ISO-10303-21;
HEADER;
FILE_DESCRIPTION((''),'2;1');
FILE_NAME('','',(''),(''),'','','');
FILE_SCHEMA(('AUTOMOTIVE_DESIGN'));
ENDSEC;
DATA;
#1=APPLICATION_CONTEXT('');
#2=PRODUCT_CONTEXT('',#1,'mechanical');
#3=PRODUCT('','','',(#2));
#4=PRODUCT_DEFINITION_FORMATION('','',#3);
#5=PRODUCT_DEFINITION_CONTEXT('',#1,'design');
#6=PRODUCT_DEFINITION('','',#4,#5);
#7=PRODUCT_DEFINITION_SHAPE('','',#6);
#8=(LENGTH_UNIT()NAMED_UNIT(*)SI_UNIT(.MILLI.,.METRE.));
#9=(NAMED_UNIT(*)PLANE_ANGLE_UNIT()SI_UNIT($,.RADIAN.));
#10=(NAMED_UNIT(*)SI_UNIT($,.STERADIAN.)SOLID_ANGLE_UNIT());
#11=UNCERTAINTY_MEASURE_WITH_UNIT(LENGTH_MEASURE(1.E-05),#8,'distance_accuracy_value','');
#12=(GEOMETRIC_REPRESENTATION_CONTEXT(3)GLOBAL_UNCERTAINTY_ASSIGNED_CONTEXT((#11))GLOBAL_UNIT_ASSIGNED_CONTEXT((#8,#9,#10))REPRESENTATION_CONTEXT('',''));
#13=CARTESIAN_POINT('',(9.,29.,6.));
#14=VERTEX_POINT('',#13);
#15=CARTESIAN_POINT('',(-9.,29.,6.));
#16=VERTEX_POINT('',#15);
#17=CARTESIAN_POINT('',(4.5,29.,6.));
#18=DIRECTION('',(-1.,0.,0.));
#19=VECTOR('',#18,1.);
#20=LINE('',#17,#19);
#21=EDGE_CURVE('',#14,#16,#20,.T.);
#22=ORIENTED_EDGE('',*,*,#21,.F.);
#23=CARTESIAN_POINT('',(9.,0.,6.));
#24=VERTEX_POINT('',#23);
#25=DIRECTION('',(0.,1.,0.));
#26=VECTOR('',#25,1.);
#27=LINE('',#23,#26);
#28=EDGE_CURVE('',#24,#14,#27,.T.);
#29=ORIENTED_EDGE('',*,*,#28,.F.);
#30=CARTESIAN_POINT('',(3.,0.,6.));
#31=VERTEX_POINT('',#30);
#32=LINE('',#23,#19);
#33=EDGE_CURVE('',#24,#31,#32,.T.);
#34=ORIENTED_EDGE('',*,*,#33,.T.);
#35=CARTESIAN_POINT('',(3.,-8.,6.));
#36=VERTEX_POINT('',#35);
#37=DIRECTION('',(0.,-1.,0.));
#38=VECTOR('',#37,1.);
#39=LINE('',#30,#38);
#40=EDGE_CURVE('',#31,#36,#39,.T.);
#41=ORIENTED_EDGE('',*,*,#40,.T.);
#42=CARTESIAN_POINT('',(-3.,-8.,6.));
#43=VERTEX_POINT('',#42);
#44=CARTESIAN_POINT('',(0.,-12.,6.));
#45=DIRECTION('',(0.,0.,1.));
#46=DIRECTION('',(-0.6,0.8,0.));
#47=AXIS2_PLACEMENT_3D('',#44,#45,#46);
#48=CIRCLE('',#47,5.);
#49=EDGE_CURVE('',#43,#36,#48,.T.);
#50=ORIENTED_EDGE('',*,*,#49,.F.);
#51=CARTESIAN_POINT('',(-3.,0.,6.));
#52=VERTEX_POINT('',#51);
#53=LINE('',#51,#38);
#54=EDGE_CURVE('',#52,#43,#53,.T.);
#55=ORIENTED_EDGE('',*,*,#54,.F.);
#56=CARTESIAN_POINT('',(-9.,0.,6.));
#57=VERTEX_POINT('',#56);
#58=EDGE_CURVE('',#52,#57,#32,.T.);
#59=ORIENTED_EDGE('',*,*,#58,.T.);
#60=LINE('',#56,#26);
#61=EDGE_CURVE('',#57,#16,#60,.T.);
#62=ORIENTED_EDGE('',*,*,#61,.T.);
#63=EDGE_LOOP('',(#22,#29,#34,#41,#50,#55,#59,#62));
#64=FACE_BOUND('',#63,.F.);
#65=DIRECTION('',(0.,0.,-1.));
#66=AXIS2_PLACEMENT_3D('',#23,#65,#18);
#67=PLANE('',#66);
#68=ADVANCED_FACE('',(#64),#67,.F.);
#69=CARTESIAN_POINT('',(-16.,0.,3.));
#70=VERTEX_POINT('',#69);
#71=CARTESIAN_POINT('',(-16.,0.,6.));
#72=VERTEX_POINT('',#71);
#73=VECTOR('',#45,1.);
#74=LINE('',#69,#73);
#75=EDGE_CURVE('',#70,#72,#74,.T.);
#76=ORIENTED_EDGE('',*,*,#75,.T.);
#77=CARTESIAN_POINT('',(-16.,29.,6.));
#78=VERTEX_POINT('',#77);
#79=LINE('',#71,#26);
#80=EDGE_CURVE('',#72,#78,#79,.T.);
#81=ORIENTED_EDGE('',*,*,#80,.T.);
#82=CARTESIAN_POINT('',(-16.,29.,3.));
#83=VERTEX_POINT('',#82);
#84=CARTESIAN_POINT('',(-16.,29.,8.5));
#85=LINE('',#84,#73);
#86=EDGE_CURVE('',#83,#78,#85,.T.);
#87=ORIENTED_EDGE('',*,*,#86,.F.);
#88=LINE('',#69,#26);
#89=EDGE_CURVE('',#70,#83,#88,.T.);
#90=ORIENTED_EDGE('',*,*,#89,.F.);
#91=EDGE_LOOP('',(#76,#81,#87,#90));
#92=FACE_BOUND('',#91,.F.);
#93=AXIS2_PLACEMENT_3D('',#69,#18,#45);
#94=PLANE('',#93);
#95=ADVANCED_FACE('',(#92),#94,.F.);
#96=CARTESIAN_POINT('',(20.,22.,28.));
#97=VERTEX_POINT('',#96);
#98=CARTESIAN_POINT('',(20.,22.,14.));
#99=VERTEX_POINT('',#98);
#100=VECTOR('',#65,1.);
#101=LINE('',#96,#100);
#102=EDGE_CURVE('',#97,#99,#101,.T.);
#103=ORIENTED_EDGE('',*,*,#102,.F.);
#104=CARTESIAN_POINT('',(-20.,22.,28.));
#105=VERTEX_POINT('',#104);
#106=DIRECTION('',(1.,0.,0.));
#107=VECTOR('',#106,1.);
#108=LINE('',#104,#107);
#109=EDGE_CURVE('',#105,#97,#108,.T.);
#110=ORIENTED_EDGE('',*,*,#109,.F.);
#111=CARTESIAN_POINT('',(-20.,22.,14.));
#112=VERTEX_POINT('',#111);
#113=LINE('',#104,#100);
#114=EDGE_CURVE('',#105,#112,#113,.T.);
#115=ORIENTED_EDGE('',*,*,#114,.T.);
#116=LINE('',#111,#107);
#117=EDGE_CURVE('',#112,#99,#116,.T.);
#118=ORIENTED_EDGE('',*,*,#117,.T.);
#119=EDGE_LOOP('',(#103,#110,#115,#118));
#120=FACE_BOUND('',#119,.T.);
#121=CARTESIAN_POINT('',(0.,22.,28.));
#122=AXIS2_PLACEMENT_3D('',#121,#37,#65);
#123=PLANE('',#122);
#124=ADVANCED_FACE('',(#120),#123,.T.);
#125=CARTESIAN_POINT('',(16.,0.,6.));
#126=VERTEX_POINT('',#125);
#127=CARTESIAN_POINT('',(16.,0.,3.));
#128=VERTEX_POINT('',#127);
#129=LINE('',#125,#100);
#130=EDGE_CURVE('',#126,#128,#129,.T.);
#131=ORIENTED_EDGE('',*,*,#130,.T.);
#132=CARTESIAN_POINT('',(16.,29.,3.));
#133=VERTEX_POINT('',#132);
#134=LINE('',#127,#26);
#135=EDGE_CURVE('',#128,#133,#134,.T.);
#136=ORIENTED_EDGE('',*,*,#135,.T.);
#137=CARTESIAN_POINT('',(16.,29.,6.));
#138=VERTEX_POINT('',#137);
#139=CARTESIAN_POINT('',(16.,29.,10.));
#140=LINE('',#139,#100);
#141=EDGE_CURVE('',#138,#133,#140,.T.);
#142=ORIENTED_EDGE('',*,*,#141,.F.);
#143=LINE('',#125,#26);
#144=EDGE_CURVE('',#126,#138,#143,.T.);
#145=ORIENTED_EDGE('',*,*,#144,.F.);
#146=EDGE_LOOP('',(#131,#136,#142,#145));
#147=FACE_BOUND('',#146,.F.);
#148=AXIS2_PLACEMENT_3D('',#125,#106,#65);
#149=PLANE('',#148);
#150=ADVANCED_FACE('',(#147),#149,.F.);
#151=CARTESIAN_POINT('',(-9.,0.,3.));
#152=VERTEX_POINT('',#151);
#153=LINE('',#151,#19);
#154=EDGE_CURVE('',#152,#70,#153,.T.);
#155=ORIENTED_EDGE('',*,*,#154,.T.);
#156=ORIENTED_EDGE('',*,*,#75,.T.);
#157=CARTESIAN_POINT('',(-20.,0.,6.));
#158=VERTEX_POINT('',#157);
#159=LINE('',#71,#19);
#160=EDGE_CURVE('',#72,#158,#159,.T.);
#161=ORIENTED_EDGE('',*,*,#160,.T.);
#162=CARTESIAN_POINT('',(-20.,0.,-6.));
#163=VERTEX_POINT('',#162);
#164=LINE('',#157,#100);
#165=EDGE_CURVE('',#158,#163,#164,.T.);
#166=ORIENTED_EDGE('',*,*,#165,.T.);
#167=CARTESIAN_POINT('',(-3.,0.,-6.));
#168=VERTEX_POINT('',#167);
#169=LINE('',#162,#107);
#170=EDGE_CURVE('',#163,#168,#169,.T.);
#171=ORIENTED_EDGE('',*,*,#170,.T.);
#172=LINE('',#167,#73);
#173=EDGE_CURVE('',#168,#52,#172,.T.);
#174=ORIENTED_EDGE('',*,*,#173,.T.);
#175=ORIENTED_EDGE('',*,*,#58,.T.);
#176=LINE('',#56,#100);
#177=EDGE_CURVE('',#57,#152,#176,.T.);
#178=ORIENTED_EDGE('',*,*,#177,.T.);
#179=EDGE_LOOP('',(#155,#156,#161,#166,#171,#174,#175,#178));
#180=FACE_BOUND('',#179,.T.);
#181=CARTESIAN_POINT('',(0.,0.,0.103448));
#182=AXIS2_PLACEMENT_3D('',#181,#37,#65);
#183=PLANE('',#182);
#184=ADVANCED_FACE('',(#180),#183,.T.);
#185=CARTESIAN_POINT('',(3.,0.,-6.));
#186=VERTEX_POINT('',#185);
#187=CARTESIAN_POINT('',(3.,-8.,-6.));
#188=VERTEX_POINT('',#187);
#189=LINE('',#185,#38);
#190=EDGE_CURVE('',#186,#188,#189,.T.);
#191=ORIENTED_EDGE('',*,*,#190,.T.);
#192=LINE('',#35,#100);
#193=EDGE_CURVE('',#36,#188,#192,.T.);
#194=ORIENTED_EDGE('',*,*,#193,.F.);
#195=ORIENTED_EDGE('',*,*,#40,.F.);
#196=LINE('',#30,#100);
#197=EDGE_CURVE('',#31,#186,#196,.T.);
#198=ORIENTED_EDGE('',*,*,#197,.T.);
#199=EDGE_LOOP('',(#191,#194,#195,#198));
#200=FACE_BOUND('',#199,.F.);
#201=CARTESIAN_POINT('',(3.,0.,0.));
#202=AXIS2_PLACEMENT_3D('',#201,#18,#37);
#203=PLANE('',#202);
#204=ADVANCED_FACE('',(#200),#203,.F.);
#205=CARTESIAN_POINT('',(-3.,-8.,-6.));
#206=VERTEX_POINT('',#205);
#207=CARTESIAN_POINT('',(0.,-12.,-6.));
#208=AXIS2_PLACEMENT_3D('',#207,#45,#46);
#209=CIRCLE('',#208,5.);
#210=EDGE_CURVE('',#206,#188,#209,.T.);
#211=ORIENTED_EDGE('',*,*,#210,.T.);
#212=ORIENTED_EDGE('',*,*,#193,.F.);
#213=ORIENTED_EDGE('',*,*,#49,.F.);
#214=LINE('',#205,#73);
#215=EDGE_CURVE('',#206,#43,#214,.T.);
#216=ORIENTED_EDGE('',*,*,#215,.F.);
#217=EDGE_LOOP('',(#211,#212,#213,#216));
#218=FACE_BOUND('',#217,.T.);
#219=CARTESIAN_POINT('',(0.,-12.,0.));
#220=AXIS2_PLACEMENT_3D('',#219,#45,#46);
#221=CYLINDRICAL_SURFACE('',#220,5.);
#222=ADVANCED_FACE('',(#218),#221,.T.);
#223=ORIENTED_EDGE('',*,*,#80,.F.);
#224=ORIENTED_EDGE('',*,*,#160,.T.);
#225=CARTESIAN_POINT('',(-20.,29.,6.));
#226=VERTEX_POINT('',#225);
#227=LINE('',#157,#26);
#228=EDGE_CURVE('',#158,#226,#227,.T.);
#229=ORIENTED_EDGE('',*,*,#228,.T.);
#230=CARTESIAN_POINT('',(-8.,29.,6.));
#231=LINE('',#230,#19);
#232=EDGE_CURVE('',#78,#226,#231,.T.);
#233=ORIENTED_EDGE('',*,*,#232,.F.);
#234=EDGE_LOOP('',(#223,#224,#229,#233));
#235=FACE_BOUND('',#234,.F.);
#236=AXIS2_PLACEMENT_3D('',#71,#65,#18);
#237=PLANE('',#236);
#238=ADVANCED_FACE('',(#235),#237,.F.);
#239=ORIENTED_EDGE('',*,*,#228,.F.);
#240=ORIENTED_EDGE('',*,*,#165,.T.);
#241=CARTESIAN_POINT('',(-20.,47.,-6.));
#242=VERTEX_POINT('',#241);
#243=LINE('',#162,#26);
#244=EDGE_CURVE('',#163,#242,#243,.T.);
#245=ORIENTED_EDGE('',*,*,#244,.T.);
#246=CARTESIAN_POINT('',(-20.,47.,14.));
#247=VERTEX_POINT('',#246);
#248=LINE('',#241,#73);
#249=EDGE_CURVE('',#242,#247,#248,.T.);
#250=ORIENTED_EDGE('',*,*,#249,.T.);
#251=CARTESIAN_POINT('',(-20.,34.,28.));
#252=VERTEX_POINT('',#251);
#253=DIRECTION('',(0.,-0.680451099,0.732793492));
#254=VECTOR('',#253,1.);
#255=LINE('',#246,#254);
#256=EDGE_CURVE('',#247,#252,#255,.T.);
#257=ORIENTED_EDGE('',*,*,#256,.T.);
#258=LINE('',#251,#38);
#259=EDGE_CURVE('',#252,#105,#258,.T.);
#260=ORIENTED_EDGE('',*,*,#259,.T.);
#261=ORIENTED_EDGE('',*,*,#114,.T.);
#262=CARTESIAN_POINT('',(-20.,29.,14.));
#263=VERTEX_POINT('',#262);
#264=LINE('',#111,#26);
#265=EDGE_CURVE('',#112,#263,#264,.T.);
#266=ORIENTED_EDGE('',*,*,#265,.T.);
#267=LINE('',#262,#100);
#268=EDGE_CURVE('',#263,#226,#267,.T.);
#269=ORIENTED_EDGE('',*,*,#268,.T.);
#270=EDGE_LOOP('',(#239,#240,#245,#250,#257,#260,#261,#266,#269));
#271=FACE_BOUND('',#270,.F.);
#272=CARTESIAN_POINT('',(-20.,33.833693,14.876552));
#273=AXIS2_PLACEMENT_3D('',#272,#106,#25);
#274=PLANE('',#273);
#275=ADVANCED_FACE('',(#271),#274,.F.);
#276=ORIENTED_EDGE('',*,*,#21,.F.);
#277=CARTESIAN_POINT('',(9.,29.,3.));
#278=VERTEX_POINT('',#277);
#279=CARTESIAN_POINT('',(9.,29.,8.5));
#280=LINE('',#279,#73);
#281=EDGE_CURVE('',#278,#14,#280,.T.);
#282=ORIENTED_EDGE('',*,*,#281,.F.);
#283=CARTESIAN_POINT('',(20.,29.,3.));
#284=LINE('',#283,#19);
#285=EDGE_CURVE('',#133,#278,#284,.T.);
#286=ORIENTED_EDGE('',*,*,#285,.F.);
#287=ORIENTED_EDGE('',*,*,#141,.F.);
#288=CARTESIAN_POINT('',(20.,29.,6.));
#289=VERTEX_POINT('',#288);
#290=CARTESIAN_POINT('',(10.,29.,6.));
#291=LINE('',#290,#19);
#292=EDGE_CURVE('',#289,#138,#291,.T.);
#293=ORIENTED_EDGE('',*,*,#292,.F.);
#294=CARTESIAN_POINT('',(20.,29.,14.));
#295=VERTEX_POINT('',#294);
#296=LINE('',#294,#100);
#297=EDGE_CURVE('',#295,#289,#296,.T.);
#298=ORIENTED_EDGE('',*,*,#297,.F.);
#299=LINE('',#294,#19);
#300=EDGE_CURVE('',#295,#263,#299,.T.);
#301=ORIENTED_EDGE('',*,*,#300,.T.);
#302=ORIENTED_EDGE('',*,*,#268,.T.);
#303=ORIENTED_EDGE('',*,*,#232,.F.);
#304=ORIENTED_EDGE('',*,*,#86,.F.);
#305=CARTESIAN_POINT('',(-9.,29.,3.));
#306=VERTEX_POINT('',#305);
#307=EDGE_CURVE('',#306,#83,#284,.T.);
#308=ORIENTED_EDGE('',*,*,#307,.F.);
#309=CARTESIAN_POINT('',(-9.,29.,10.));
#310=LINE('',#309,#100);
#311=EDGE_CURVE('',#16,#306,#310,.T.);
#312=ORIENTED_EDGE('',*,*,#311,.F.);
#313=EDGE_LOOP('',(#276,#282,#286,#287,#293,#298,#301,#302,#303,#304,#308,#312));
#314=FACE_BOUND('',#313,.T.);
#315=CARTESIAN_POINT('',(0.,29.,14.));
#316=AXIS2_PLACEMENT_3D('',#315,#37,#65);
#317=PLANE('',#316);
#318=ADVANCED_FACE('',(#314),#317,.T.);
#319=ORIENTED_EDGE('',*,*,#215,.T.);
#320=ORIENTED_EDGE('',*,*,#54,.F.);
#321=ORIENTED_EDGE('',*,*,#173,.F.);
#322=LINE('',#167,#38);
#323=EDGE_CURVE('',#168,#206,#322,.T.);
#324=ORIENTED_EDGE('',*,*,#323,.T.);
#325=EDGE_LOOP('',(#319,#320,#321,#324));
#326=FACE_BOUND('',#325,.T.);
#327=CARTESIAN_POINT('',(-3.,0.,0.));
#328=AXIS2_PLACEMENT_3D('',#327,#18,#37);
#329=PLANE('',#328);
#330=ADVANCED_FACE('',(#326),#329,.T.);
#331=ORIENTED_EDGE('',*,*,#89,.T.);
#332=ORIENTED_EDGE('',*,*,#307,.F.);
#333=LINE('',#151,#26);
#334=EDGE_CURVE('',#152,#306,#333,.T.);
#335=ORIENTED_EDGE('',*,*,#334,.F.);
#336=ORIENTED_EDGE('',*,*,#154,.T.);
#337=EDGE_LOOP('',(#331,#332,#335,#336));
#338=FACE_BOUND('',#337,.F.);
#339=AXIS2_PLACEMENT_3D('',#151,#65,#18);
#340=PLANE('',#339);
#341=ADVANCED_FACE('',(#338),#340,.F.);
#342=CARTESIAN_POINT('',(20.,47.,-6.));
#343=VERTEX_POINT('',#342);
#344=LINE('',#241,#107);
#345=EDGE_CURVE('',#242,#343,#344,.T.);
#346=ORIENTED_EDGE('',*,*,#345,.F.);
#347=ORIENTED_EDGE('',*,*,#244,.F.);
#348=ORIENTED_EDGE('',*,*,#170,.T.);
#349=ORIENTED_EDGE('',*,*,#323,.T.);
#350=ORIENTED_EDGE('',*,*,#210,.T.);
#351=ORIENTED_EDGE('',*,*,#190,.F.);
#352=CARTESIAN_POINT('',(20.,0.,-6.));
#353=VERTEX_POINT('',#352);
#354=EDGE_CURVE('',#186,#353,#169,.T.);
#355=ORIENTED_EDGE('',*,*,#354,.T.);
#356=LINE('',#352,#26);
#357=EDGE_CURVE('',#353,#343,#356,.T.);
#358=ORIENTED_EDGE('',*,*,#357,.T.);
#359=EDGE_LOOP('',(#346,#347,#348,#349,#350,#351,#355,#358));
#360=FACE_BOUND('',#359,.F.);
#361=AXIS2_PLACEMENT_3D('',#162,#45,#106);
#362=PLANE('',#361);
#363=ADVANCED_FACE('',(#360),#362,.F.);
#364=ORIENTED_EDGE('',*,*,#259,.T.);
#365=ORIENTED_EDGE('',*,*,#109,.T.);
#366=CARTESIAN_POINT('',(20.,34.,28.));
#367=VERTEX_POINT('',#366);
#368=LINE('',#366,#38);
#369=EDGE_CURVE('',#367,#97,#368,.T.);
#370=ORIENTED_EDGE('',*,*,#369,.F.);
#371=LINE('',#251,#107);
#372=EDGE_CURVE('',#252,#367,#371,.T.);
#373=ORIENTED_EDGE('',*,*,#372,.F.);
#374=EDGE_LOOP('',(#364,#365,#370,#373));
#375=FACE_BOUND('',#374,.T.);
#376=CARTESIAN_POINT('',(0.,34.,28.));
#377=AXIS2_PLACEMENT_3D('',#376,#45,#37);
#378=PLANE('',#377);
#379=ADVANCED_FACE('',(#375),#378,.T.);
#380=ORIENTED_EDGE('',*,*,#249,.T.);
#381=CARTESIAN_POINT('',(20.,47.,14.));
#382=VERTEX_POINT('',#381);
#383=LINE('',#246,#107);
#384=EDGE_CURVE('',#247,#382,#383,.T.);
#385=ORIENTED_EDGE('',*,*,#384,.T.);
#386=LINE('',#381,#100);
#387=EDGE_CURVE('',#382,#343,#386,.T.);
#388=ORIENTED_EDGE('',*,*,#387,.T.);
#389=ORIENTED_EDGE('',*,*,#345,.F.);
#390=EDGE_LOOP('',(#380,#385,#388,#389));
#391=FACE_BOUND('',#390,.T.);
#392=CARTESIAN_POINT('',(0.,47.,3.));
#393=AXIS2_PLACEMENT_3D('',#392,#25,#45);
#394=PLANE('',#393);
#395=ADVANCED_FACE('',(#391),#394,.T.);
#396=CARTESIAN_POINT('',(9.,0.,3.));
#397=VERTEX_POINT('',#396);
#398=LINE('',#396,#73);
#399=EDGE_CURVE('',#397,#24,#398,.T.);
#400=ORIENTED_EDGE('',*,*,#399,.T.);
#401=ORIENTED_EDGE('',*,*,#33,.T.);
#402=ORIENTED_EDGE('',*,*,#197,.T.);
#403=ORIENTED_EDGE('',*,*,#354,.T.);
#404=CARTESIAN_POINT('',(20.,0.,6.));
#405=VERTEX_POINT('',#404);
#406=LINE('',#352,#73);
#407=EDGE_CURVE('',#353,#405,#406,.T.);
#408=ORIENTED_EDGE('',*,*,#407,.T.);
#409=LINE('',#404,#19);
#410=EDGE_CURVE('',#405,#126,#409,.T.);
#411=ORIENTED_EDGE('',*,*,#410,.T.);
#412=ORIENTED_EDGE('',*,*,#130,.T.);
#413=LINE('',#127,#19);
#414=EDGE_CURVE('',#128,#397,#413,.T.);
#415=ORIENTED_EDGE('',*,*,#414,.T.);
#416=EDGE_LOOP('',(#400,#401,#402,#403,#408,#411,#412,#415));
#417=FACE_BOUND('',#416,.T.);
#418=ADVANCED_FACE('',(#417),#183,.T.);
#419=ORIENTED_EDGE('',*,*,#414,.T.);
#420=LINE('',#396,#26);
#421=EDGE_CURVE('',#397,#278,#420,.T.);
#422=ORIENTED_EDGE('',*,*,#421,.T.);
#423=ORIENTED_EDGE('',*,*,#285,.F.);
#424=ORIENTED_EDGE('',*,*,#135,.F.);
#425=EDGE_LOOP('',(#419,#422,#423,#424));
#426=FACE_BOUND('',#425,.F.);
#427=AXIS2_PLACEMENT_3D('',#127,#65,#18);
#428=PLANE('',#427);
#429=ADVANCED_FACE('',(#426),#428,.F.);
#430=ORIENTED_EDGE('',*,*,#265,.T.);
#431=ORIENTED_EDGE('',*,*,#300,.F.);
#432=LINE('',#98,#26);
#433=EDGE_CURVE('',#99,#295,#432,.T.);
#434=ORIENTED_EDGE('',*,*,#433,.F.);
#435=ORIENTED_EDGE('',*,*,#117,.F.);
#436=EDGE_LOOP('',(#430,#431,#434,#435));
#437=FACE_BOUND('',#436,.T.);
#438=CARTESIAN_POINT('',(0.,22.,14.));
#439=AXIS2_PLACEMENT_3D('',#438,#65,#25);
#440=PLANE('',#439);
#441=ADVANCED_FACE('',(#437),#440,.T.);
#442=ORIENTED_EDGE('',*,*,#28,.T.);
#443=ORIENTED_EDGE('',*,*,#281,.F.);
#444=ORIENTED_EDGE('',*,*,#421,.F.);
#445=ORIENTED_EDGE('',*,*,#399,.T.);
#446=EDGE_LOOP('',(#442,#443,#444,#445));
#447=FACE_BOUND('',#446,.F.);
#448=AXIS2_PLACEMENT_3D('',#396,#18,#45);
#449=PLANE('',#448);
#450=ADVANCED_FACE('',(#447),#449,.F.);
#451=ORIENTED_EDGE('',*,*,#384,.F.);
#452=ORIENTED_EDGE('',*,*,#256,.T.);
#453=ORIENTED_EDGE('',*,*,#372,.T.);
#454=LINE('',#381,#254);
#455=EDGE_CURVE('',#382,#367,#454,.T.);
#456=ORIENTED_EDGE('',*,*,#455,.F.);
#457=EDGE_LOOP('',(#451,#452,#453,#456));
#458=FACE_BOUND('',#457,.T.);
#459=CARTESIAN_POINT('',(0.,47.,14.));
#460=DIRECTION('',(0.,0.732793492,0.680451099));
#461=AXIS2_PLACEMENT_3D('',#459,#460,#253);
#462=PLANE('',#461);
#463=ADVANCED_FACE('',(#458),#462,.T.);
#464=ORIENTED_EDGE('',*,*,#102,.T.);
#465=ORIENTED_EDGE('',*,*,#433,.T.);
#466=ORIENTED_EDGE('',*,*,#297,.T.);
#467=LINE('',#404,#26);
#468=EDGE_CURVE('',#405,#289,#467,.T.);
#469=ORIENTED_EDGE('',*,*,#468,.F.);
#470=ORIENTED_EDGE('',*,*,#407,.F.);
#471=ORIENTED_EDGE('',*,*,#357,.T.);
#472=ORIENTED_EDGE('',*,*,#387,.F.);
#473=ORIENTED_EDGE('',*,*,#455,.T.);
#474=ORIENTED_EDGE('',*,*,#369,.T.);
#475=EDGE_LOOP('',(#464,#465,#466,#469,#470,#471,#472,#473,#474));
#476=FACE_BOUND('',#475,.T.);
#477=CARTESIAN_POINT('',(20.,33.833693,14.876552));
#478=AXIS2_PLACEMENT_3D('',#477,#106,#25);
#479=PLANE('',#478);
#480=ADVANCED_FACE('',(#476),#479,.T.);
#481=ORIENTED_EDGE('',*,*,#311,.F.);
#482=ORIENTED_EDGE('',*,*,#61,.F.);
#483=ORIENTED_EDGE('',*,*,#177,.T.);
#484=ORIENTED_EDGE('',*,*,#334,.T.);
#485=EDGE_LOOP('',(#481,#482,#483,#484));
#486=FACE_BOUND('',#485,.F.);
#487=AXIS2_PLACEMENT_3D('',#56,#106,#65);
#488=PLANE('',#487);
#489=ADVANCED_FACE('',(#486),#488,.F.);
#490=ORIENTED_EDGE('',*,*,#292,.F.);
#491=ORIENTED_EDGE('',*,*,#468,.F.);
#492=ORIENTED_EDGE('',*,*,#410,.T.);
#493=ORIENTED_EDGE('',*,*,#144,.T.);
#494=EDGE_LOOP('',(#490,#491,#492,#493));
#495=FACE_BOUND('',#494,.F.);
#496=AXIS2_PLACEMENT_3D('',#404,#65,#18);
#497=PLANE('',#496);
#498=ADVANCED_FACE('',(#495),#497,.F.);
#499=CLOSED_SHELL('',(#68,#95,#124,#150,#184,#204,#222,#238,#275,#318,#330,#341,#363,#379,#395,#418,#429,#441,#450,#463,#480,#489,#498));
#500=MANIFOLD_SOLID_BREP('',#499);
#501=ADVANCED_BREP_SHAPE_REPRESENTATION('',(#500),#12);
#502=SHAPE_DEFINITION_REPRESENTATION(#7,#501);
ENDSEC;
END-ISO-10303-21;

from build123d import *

# Parameters (mm, degrees)
PAD_DEPTH    = 20
PAD001_DEPTH = 6


with BuildPart() as part:
    # AdditivePipe: sweep along a path in Sketch
    with BuildLine(Plane.XY) as additivepipe_path:
        Line((0, 0), (0, 47))
    # Sketch001 → AdditivePipe (sweep)
    with BuildSketch(Plane.XZ):
        Polygon((-20, 6), (-20, -6), (-16, -6), (-9, -6), (9, -6), (16, -6), (20, -6), (20, 6), (16, 6), (16, 3), (9, 3), (9, 6), (-9, 6), (-9, 3), (-16, 3), (-16, 6), align=None)
    sweep(path=additivepipe_path.line)

    # Sketch002 → Pad (new body, symmetric)
    with BuildSketch(Plane.YZ):
        Polygon((47, 3), (47, 14), (34, 28), (22, 28), (22, 14), (29, 14), (29, 3), align=None)
    extrude(amount=PAD_DEPTH, both=True)

    # Sketch003 → Pad001 (join, symmetric)
    with BuildSketch(Plane.XY):
        with BuildLine():
            Line((-3, 0), (3, 0))
            Line((3, 0), (3, -8))
            ThreePointArc((-3, -8), (0, -17), (3, -8))
            Line((-3, 0), (-3, -8))
        make_face()
    extrude(amount=PAD001_DEPTH, both=True)


solid = part.part
